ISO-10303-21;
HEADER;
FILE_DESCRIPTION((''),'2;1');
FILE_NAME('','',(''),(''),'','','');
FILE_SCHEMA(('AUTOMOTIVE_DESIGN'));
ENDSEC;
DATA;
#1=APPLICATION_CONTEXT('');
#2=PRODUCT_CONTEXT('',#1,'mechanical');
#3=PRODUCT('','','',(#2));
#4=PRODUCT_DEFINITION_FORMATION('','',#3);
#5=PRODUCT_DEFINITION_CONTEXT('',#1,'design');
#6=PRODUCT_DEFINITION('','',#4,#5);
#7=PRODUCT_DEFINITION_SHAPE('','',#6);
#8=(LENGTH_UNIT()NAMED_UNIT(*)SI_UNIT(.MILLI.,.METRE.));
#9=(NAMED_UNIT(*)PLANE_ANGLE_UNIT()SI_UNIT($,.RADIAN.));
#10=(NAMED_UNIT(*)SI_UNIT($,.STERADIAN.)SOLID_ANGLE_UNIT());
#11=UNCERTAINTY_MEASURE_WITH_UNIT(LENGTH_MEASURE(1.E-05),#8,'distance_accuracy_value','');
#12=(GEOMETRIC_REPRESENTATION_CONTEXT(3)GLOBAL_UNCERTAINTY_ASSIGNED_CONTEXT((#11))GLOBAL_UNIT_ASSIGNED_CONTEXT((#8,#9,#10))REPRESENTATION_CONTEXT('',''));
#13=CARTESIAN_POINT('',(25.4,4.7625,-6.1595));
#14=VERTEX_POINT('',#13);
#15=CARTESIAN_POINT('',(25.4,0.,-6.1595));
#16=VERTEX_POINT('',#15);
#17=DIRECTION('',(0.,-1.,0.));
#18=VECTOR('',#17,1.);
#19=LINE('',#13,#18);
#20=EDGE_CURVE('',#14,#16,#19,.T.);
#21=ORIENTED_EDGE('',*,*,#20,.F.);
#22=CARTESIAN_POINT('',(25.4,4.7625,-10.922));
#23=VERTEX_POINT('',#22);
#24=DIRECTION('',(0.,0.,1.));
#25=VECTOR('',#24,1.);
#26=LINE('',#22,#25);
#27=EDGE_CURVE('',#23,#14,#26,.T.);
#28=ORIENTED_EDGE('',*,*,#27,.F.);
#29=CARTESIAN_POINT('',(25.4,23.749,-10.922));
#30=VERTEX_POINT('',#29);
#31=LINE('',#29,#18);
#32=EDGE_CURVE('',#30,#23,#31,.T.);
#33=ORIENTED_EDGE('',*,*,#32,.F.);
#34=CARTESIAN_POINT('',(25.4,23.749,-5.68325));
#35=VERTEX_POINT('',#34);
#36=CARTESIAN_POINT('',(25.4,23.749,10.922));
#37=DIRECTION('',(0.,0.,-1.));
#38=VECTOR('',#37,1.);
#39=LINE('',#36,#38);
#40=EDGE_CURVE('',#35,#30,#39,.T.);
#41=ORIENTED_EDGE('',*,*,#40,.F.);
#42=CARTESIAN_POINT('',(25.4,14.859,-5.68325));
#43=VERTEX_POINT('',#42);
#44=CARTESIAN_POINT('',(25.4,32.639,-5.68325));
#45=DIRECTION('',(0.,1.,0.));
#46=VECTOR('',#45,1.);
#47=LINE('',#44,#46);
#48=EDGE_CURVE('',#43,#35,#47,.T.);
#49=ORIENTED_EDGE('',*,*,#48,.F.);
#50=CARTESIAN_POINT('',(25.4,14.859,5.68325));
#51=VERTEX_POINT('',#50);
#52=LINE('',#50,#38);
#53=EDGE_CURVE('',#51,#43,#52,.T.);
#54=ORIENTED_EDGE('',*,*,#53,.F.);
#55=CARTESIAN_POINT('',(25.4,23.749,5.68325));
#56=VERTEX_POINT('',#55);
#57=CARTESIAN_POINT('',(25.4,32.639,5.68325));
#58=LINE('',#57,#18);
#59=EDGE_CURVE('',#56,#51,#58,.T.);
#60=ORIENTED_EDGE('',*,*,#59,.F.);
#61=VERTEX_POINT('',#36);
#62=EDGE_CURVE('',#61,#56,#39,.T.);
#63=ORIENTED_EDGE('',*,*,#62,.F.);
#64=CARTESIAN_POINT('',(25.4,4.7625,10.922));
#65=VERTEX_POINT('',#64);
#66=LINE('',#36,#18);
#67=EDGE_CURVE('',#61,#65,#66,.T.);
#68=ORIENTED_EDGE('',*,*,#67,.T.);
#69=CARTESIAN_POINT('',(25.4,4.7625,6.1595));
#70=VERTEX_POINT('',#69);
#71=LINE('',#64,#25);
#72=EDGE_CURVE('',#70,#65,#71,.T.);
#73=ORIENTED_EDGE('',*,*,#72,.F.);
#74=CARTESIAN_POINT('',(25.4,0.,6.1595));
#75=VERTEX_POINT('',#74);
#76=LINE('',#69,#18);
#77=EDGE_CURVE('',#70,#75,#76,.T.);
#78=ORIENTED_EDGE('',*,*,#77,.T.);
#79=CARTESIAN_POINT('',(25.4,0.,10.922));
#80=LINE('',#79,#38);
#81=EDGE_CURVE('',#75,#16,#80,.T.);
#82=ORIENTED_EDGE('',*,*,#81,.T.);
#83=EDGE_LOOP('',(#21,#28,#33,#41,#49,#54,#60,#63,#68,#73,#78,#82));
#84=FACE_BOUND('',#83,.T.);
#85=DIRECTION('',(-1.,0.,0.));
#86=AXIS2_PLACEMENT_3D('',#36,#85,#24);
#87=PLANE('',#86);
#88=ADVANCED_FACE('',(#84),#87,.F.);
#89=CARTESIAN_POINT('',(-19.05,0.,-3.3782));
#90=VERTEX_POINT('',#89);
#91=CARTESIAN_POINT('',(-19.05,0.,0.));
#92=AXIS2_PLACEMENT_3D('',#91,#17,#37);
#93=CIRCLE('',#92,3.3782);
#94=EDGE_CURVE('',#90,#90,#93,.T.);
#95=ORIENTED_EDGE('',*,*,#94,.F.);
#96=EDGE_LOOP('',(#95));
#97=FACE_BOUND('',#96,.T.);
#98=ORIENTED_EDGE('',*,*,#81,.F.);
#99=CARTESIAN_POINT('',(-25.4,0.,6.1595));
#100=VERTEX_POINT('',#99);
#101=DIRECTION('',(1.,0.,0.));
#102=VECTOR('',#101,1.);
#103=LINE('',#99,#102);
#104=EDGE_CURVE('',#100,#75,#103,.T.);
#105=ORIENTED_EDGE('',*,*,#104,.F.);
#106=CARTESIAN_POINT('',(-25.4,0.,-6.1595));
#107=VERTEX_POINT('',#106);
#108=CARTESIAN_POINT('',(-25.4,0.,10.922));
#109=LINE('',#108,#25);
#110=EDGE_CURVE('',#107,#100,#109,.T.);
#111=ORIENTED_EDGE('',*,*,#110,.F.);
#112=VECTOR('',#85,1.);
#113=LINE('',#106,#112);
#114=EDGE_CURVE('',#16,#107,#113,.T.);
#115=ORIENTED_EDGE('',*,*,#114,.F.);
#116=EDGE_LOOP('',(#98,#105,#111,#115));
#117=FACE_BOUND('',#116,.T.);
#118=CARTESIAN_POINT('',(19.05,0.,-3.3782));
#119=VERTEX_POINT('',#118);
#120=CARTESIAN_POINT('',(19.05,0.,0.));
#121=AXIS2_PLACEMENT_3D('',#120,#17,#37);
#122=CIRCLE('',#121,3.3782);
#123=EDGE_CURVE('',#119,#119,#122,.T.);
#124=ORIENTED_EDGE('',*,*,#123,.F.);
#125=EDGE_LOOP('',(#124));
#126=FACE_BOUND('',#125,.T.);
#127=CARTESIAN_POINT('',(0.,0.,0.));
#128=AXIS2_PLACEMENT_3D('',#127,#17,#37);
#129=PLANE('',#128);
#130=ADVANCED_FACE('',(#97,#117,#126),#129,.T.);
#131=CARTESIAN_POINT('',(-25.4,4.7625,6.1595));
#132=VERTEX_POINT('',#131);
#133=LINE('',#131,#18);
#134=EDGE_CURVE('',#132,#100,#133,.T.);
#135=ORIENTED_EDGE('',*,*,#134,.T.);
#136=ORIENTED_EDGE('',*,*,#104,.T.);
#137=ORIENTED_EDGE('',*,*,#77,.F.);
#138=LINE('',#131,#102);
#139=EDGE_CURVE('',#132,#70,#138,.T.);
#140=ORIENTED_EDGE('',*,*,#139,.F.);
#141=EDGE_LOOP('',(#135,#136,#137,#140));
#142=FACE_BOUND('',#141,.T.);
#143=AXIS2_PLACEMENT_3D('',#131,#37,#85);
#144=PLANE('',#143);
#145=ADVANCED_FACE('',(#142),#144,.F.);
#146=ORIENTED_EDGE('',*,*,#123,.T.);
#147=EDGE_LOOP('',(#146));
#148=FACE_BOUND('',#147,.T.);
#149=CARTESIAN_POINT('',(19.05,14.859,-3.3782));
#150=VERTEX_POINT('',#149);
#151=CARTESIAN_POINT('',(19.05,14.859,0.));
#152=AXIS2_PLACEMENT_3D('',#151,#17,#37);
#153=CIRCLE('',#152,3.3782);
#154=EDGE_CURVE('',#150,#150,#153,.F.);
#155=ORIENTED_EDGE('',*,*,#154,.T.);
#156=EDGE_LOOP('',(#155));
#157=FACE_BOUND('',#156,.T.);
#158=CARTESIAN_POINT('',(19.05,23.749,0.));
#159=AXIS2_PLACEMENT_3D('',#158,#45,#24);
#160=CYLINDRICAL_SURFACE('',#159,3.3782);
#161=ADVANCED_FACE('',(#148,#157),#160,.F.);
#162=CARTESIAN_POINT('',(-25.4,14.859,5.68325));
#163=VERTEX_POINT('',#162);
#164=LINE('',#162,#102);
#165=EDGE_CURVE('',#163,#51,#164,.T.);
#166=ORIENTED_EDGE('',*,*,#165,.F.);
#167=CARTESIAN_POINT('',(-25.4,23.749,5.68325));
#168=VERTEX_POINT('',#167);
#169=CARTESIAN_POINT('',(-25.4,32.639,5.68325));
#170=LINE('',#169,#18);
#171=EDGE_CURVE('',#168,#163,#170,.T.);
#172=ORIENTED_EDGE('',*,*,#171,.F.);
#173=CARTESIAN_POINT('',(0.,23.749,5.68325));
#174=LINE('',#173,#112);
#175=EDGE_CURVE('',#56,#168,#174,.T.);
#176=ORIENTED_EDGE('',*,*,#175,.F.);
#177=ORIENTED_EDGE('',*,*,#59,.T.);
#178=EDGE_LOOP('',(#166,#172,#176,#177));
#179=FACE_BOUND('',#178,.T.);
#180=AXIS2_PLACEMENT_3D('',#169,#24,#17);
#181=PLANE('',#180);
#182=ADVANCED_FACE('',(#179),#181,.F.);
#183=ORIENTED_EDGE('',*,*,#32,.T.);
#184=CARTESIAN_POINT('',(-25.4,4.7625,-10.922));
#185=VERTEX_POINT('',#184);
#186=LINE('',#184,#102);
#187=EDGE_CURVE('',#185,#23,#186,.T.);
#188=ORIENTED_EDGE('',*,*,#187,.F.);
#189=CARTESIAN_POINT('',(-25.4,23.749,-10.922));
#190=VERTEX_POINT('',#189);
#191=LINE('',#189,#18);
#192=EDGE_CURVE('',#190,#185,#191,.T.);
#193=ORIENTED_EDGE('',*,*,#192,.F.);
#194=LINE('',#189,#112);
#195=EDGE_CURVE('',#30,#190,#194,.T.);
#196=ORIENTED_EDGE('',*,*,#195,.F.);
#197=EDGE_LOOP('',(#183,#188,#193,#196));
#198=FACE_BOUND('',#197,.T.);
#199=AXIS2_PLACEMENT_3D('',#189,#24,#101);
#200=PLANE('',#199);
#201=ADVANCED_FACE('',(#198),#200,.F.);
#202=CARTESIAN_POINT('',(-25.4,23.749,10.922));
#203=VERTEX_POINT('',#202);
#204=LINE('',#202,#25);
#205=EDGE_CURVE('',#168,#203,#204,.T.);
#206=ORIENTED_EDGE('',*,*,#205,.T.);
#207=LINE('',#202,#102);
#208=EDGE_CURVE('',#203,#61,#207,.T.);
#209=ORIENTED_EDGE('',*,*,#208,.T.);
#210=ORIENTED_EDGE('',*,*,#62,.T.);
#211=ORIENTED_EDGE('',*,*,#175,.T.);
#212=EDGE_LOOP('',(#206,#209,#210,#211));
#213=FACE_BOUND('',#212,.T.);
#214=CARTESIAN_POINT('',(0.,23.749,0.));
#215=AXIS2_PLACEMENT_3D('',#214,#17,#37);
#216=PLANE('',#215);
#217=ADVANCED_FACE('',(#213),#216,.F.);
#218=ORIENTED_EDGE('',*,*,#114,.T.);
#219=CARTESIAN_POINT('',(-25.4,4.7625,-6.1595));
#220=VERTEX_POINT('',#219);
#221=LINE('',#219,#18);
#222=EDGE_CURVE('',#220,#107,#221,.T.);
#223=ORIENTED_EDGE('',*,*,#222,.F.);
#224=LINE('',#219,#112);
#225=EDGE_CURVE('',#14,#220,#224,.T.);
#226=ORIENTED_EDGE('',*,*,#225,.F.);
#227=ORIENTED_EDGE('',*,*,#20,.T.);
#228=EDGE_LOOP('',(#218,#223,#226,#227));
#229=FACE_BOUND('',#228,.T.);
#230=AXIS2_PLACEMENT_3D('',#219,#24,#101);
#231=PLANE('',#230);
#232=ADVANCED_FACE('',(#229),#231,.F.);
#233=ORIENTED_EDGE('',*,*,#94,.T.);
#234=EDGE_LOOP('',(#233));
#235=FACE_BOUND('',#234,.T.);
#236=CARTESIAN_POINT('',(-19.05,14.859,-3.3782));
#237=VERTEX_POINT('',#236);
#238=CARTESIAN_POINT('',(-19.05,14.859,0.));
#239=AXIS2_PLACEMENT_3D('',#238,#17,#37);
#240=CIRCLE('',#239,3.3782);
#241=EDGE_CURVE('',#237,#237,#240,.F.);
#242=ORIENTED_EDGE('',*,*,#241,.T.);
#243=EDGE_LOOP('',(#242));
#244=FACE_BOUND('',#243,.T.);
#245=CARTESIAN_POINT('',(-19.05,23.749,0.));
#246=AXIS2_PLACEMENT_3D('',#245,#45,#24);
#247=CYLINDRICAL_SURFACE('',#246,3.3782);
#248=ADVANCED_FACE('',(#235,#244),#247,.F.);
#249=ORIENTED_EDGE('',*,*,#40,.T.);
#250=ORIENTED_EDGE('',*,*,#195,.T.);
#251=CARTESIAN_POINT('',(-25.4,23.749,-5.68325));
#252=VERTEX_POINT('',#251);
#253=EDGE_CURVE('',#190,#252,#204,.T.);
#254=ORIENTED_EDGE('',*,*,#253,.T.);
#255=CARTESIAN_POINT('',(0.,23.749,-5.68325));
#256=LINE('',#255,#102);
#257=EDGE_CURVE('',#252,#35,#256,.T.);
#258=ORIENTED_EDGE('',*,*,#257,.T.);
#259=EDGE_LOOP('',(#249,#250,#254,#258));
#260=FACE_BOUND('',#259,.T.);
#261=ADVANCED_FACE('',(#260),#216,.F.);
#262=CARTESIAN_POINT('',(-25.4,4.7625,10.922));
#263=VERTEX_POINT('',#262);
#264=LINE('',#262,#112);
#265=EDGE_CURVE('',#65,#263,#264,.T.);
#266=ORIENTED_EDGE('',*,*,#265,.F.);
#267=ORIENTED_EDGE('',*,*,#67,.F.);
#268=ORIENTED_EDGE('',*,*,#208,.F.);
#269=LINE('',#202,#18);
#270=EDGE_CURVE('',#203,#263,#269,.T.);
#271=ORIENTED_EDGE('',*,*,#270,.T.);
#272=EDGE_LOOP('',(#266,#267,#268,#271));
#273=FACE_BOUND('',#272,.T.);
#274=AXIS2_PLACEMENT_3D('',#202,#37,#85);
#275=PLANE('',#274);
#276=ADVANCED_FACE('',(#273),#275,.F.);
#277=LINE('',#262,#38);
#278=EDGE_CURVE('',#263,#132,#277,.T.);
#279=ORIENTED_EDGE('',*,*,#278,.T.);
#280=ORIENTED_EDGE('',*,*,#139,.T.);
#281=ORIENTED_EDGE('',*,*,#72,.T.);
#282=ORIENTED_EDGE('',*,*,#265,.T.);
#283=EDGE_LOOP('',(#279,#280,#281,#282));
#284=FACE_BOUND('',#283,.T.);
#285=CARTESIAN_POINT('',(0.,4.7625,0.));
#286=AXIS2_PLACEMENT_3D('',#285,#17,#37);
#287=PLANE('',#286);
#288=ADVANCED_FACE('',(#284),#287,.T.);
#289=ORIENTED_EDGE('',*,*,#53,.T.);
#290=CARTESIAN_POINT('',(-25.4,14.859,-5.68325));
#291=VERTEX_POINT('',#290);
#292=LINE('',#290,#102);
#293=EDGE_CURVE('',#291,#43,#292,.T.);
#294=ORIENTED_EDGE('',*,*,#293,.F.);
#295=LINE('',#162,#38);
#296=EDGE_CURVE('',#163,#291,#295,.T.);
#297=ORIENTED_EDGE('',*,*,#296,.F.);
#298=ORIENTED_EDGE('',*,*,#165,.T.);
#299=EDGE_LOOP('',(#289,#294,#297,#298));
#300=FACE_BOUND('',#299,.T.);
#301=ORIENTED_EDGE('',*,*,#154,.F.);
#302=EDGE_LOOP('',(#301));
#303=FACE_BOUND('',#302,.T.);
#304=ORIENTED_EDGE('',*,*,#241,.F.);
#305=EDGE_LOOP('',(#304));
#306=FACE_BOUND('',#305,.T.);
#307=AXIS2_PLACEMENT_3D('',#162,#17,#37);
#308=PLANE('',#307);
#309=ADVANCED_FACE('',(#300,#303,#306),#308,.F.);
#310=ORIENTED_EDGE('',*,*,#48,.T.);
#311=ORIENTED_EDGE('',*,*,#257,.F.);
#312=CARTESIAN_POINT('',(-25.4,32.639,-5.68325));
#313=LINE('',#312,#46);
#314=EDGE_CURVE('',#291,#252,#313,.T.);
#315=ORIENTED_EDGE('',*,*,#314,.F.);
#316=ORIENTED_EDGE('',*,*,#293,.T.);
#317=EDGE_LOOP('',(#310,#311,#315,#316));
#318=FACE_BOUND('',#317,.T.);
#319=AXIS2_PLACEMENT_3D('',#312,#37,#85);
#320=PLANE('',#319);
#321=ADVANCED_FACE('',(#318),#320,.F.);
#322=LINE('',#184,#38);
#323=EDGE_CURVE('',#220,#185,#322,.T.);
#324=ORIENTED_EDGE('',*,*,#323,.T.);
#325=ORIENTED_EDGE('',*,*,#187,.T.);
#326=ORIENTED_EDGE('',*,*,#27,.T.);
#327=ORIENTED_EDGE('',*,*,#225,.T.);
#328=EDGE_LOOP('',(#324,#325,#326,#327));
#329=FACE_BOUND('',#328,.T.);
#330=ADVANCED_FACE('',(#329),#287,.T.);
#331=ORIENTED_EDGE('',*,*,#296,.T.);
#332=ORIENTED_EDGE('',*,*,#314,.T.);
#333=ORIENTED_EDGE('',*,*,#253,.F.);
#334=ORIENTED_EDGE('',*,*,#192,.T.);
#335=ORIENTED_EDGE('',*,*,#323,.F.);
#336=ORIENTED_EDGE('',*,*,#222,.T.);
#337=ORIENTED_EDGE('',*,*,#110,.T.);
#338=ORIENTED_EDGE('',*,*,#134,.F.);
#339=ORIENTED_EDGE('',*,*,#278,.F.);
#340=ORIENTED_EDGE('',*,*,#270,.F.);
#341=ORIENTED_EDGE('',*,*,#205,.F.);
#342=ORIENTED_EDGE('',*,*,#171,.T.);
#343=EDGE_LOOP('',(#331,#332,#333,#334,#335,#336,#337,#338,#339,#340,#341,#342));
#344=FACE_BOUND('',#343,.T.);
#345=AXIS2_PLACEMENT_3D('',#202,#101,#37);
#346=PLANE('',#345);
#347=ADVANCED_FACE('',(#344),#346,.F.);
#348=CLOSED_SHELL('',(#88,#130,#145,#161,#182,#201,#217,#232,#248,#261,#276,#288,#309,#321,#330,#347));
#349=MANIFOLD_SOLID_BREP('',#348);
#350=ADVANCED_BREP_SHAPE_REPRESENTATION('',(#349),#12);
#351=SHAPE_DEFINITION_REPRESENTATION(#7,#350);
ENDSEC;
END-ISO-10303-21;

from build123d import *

# Parameters (mm, degrees)
SKETCH1_W                            = 50.8
SKETCH1_H                            = 21.844
STOCK_DEPTH                          = 23.749
CLEARANCE_HOLES_FOR_MOUNTING_BOLTS_D = 6.7564
SKETCH5_W                            = 50.8
SKETCH5_H                            = 4.7625
CLEARANCE_RABBIT_DEPTH               = 4.7625
SKETCH6_W                            = 11.3665
SKETCH6_H                            = 17.78
NUT_SLOT_DEPTH                       = 58.130946824


with BuildPart() as part:
    # Sketch1 → Stock (new body)
    with BuildSketch(Plane(origin=(0, 0, 0), x_dir=(1, 0, 0), z_dir=(0, 1, 0))):
        Rectangle(SKETCH1_W, SKETCH1_H)
    extrude(amount=STOCK_DEPTH)

    # Clearance holes for Mounting Bolts (through all)
    with Locations(Plane(origin=(0, 23.749, 0), x_dir=(1, 0, 0), z_dir=(0, 1, 0))):
        with Locations((-19.05, 0), (19.05, 0)):
            Hole(CLEARANCE_HOLES_FOR_MOUNTING_BOLTS_D / 2)

    # Sketch5 → Clearance Rabbit (cut)
    with BuildSketch(Plane.XZ):
        with Locations((0, 8.54075)):
            Rectangle(SKETCH5_W, SKETCH5_H)
        with Locations((0, -8.54075)):
            Rectangle(SKETCH5_W, SKETCH5_H)
    extrude(amount=-CLEARANCE_RABBIT_DEPTH, mode=Mode.SUBTRACT)

    # Sketch6 → Nut Slot (cut, through all)
    with BuildSketch(Plane(origin=(25.4, 0, 0), x_dir=(0, 0, -1), z_dir=(1, 0, 0))):
        with Locations((0, 23.749)):
            Rectangle(SKETCH6_W, SKETCH6_H)
    extrude(amount=-NUT_SLOT_DEPTH, mode=Mode.SUBTRACT)


solid = part.part
